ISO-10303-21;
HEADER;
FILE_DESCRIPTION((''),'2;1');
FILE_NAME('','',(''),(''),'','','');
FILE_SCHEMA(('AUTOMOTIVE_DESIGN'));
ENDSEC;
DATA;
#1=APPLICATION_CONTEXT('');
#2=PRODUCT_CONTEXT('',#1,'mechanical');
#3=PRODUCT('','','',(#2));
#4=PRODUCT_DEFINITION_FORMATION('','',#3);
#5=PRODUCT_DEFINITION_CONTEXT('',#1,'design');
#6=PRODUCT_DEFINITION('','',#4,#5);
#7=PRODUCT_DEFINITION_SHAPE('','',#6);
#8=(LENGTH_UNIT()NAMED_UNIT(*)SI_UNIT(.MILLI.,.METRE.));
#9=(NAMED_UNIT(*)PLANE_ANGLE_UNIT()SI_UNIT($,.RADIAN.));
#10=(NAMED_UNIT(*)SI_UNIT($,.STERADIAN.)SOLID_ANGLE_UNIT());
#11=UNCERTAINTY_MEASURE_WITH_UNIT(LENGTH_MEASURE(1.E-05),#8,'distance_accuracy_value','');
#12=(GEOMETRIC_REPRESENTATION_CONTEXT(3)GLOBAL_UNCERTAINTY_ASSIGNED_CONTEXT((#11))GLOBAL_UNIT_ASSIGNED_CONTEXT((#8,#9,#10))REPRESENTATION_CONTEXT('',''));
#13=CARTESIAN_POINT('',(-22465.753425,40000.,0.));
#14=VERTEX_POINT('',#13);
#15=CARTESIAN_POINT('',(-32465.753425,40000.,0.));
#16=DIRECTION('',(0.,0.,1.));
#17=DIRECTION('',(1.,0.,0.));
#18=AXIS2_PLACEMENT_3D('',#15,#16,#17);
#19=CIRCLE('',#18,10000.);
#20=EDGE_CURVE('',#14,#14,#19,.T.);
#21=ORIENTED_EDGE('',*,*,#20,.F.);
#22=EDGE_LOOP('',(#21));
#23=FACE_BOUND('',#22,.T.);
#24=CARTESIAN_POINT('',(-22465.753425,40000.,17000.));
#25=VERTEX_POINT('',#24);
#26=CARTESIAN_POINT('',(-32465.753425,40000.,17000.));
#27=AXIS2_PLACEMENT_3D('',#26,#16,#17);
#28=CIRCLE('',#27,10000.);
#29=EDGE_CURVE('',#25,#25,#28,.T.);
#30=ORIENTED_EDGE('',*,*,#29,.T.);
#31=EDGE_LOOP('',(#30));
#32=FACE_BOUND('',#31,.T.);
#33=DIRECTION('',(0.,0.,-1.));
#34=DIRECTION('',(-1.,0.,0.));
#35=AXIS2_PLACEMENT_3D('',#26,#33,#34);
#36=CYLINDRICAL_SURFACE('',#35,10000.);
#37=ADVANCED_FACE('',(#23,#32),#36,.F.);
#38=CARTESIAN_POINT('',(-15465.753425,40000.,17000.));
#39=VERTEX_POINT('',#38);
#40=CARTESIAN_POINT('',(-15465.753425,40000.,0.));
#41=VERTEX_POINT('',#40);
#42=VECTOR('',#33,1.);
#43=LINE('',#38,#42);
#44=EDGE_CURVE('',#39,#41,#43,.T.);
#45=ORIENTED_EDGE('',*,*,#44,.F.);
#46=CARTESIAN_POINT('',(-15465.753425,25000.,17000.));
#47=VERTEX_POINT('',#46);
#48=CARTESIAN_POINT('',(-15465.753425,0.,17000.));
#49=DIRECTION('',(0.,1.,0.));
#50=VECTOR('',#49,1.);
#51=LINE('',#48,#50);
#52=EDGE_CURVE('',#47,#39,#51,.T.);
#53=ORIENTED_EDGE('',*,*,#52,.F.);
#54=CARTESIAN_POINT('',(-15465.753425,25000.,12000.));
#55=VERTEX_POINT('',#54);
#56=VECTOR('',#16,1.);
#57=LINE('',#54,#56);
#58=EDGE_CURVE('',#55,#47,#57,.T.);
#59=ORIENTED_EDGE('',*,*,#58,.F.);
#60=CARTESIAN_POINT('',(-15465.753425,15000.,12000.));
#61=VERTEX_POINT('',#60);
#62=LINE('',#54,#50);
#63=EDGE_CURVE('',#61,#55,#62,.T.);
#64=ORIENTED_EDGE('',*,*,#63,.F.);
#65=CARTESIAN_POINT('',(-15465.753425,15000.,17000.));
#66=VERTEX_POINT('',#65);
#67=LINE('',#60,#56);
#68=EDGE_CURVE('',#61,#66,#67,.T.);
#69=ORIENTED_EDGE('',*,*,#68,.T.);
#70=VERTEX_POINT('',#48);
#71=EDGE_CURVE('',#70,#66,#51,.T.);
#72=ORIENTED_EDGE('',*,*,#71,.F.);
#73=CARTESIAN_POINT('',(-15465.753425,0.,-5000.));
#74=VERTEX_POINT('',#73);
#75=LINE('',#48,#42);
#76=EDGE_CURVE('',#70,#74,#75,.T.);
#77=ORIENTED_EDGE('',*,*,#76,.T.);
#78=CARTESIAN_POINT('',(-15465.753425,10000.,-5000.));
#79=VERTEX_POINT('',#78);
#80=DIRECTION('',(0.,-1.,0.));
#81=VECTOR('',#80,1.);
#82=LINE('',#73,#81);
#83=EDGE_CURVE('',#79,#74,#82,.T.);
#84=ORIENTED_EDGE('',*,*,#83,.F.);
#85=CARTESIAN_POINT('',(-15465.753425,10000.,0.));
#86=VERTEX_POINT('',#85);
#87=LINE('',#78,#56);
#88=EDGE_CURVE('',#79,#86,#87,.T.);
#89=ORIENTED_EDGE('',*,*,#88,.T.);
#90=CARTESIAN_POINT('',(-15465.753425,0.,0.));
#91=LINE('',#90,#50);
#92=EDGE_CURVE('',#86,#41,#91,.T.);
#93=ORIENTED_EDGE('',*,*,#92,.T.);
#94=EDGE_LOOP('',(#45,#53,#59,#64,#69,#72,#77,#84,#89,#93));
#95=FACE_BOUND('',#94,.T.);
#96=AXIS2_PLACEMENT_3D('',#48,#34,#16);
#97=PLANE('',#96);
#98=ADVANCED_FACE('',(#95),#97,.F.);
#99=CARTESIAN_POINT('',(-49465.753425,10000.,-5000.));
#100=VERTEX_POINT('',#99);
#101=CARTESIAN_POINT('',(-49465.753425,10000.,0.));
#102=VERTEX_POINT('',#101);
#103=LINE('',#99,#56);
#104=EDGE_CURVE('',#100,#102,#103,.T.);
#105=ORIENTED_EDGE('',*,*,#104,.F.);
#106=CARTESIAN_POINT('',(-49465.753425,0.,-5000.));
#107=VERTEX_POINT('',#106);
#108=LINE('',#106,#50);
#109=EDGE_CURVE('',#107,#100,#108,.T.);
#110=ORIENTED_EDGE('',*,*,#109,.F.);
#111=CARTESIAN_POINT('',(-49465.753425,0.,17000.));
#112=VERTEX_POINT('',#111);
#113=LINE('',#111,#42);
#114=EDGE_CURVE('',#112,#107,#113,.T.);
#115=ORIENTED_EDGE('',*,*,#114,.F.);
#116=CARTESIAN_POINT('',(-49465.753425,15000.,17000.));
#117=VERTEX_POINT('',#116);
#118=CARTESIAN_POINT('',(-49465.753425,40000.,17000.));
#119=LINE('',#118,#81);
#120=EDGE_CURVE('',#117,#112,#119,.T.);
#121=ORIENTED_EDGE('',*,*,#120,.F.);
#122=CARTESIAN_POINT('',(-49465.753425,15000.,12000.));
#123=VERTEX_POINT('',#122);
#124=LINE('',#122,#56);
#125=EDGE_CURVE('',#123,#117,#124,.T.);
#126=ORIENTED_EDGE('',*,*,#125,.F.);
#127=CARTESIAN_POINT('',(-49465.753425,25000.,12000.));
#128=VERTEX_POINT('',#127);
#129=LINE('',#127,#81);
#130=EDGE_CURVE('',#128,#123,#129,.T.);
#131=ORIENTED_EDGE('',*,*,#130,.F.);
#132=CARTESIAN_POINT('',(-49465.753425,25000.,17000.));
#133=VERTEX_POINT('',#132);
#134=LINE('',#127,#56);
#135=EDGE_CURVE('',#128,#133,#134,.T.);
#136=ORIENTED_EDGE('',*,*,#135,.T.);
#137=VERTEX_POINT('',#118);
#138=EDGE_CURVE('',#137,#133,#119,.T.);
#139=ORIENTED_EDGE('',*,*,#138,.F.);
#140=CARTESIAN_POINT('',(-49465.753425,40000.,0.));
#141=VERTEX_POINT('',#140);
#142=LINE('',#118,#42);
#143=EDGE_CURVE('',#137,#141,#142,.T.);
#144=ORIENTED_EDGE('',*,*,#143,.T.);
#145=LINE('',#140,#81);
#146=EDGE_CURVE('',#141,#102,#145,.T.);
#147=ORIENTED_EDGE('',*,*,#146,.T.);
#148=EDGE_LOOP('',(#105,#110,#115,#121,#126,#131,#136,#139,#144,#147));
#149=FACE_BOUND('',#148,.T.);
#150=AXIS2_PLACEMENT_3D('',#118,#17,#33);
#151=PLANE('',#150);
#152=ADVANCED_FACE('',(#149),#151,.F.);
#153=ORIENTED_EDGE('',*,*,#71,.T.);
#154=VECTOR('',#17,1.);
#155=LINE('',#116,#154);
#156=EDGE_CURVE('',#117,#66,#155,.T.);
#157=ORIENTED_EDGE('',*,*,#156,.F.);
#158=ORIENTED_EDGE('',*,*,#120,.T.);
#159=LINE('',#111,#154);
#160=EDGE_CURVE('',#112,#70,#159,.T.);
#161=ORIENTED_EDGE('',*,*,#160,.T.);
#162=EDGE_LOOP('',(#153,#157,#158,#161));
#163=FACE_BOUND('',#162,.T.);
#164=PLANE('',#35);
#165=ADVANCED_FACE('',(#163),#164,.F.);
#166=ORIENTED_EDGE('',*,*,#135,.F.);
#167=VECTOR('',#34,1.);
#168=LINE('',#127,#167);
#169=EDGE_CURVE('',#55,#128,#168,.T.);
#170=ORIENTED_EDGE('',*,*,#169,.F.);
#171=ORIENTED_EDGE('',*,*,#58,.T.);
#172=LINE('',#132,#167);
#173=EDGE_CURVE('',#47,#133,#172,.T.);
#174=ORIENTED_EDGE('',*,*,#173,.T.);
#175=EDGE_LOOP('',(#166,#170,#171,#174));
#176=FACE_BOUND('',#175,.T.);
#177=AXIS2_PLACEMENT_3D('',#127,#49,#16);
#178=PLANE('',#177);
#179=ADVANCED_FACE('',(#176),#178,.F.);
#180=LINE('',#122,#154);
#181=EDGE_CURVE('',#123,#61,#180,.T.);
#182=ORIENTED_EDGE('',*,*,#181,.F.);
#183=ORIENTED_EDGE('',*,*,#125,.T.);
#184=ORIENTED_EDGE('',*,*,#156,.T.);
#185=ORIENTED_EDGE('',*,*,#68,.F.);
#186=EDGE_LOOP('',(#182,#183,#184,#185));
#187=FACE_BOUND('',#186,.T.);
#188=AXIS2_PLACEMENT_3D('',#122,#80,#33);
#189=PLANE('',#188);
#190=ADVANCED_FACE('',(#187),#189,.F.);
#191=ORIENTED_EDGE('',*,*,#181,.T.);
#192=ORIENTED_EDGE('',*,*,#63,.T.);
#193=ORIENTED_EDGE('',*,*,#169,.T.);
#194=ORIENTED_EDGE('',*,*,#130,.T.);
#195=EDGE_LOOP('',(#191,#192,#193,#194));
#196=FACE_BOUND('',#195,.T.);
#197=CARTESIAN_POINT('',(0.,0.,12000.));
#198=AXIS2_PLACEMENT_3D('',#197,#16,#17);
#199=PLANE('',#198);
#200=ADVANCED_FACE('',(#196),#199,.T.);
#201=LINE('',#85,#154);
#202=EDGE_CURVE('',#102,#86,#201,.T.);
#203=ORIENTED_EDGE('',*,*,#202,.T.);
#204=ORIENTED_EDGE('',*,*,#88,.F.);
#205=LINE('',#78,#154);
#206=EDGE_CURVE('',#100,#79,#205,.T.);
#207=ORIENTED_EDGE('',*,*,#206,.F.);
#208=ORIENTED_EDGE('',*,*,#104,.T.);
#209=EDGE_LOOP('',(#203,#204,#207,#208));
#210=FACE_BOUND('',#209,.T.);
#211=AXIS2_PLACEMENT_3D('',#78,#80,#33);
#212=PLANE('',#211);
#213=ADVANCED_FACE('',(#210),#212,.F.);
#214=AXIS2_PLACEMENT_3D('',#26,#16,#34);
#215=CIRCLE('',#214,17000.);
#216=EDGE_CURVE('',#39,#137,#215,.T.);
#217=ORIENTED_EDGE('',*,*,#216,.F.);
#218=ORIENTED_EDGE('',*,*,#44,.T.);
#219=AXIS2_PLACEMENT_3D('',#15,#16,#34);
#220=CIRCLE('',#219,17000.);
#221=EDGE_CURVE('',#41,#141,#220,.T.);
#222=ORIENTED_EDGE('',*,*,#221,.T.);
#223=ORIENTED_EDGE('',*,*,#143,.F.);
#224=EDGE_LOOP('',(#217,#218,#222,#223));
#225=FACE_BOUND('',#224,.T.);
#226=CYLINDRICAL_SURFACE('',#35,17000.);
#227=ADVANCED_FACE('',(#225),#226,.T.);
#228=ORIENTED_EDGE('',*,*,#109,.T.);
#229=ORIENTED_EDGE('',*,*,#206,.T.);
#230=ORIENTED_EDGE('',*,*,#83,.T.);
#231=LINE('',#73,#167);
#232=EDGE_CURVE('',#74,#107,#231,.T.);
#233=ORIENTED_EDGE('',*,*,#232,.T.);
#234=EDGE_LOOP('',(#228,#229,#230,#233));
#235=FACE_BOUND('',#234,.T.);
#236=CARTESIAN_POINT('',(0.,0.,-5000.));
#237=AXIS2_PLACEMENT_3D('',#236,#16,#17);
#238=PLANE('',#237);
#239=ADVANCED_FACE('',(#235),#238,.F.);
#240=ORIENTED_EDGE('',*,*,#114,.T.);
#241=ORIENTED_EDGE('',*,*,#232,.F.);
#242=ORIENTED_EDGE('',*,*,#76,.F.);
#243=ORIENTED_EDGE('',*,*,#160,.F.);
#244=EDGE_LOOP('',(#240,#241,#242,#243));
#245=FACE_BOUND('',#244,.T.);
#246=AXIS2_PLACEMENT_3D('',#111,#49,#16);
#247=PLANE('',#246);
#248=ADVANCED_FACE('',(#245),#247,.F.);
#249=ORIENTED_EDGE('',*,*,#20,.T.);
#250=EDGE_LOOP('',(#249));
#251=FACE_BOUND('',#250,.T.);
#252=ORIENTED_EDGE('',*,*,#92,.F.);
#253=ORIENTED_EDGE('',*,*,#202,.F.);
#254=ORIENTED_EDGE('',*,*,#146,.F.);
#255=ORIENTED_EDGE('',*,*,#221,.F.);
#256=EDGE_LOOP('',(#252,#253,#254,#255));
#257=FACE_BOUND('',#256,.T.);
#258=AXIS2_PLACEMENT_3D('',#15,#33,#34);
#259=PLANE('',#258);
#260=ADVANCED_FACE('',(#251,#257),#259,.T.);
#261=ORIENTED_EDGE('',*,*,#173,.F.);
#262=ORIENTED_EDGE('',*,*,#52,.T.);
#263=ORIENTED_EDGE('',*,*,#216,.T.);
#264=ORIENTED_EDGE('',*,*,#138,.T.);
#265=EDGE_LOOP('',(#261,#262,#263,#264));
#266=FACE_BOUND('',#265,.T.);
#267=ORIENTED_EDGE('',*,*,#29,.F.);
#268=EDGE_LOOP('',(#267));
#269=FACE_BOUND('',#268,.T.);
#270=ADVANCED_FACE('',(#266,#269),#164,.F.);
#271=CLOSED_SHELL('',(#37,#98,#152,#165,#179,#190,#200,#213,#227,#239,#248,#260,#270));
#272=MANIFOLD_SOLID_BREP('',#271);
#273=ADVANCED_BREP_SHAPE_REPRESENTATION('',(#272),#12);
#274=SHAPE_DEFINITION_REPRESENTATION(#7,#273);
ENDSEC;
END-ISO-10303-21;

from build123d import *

# Parameters (mm, degrees)
SKETCH1_R           = 10000
BOSS_EXTRUDE1_DEPTH = 17000
SKETCH2_W           = 34000
SKETCH2_H           = 10000
CUT_EXTRUDE1_DEPTH  = 5000
SKETCH3_W           = 34000
SKETCH3_H           = 10000
BOSS_EXTRUDE2_DEPTH = 5000


with BuildPart() as part:
    # Sketch1 → Boss-Extrude1 (new body)
    with BuildSketch(Plane.XY):
        with BuildLine():
            Line((-49465.753424658, 40000), (-49465.753424658, 0))
            Line((-49465.753424658, 0), (-15465.753424658, 0))
            Line((-15465.753424658, 0), (-15465.753424658, 40000))
            ThreePointArc((-15465.753424658, 40000), (-32465.753424658, 57000), (-49465.753424658, 40000))
        make_face()
        with Locations((-32465.753424658, 40000)):
            Circle(SKETCH1_R, mode=Mode.SUBTRACT)
    extrude(amount=BOSS_EXTRUDE1_DEPTH)

    # Sketch2 → Cut-Extrude1 (cut)
    with BuildSketch(Plane.XY.offset(17000)):
        with Locations((-32465.753424658, 20000)):
            Rectangle(SKETCH2_W, SKETCH2_H)
    extrude(amount=-CUT_EXTRUDE1_DEPTH, mode=Mode.SUBTRACT)

    # Sketch3 → Boss-Extrude2 (add)
    with BuildSketch(Plane(origin=(0, 0, 0), x_dir=(-1, 0, 0), z_dir=(0, 0, -1))):
        with Locations((32465.753424658, 5000)):
            Rectangle(SKETCH3_W, SKETCH3_H)
    extrude(amount=BOSS_EXTRUDE2_DEPTH)


solid = part.part
